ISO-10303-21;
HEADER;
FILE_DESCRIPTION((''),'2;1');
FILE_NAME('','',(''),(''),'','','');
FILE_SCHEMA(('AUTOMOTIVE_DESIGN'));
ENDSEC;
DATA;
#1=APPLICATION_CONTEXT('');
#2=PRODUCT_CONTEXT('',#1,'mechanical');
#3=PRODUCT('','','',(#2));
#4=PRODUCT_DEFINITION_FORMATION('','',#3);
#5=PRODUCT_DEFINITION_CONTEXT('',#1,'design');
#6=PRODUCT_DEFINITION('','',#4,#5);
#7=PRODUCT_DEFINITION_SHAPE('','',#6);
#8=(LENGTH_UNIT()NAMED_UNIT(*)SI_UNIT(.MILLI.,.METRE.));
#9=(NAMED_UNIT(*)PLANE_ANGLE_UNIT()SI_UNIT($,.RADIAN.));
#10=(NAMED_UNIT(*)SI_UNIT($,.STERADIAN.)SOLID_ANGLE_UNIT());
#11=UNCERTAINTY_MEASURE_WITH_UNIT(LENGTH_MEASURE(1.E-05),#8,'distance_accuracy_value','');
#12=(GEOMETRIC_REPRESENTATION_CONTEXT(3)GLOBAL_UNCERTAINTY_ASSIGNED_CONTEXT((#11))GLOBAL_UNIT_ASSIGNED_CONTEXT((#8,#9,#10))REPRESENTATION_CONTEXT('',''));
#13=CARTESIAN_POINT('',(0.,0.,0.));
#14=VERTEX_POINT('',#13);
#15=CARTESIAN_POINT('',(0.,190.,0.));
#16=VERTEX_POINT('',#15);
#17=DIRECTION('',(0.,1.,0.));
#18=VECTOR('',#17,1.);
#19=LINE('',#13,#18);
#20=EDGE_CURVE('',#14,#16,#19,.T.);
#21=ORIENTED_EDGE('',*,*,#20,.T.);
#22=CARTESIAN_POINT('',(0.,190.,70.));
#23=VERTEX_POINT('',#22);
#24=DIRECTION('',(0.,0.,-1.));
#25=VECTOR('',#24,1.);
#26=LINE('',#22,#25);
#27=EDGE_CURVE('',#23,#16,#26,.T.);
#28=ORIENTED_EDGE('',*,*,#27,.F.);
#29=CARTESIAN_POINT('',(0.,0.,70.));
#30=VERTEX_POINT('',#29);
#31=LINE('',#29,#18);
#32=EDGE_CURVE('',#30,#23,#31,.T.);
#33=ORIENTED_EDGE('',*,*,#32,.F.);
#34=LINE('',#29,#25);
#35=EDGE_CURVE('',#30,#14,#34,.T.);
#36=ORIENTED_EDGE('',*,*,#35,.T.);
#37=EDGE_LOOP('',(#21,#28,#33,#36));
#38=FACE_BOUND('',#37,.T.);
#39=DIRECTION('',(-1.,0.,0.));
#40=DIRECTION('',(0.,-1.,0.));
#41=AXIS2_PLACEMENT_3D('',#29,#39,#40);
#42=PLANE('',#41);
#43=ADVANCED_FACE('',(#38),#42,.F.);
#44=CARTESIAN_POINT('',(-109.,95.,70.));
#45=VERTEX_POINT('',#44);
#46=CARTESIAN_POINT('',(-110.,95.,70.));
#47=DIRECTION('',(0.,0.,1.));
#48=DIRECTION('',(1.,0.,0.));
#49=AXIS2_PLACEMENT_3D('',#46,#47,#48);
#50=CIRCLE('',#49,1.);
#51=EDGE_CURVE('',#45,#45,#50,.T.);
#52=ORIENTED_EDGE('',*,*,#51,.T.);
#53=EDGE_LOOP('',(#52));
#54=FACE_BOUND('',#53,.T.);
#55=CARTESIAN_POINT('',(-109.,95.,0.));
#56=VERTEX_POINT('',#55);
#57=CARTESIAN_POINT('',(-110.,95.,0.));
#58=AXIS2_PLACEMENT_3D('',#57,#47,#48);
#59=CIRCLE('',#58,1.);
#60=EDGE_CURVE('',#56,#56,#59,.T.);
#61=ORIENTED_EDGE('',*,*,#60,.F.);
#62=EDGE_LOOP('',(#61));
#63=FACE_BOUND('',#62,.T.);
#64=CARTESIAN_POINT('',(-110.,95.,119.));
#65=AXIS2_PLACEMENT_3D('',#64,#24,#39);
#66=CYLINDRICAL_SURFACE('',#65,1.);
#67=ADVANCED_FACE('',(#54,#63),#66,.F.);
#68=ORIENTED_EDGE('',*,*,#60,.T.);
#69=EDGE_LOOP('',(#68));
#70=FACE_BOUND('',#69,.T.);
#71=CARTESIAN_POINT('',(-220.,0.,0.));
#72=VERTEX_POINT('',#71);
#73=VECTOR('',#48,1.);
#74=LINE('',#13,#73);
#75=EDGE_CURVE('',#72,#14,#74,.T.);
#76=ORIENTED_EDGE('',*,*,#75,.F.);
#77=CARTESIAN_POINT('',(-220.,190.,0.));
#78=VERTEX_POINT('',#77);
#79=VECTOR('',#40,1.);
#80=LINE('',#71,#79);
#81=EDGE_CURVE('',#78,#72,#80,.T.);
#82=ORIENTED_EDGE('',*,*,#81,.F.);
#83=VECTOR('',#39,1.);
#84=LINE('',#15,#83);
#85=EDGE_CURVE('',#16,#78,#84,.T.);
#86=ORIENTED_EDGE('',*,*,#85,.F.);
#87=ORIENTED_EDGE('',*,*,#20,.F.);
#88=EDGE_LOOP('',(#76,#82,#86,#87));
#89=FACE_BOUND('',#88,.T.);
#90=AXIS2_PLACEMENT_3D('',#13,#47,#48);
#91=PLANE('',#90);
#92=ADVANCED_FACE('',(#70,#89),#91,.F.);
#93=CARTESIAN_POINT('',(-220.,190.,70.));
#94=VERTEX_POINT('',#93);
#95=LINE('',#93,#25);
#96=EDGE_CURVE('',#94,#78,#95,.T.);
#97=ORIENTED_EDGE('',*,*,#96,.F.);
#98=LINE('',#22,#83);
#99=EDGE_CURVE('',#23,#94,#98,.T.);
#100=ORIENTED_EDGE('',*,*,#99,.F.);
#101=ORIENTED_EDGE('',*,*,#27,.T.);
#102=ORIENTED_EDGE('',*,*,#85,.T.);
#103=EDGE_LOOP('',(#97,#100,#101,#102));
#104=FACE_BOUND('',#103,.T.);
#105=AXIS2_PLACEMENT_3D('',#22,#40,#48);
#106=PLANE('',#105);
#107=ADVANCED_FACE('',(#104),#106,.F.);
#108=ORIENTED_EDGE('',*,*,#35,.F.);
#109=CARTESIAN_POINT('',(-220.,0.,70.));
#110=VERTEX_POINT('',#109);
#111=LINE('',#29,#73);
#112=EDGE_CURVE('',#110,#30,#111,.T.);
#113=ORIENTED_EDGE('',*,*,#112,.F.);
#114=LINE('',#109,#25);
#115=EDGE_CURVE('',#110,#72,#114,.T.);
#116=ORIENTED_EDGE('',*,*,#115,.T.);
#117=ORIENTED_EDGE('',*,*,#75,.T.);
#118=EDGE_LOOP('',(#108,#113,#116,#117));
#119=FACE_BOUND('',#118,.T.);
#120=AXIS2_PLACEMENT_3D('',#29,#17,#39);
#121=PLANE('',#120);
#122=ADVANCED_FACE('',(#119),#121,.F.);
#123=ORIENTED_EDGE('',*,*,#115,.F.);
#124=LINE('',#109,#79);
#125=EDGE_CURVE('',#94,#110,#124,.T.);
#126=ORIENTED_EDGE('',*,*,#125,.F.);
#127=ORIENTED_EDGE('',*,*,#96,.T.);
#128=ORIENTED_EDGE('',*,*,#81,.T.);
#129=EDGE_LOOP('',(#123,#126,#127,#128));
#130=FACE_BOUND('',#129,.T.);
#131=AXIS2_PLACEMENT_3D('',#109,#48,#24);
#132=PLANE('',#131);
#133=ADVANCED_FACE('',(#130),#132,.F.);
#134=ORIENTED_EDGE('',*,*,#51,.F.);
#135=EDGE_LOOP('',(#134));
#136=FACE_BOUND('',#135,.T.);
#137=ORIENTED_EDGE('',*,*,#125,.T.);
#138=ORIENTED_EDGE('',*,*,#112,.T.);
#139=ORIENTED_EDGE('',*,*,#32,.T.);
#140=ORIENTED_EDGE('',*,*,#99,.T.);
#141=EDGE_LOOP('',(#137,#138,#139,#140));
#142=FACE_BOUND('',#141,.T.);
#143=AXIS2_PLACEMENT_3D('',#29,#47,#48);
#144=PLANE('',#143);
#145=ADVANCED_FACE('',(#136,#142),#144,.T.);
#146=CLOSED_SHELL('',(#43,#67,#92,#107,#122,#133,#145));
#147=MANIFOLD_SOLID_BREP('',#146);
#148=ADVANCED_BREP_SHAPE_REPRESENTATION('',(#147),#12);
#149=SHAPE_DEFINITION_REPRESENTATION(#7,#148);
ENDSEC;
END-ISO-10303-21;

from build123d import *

# Parameters (mm, degrees)
ESQUISSE1_W                  = 220
ESQUISSE1_H                  = 190
BOSS_EXTRU_1_DEPTH           = 70
ESQUISSE2_R                  = 1
ENL_V_MAT_EXTRU_1_DEPTH      = 10
ENL_V_MAT_EXTRU_1_DEPTH_BACK = 119


with BuildPart() as part:
    # Esquisse1 → Boss.-Extru.1 (new body)
    with BuildSketch(Plane.XY):
        with Locations((-110, 95)):
            Rectangle(ESQUISSE1_W, ESQUISSE1_H)
    extrude(amount=BOSS_EXTRU_1_DEPTH)

    # Esquisse2 → Enlèv. mat.-Extru.1 (cut, two sides)
    with BuildSketch(Plane(origin=(0, 0, 0), x_dir=(-1, 0, 0), z_dir=(0, 0, -1))) as enl_v_mat_extru_1_sk:
        with Locations((110, 95)):
            Circle(ESQUISSE2_R)
    extrude(amount=ENL_V_MAT_EXTRU_1_DEPTH, mode=Mode.SUBTRACT)
    extrude(enl_v_mat_extru_1_sk.sketch, amount=-ENL_V_MAT_EXTRU_1_DEPTH_BACK, mode=Mode.SUBTRACT)


solid = part.part
